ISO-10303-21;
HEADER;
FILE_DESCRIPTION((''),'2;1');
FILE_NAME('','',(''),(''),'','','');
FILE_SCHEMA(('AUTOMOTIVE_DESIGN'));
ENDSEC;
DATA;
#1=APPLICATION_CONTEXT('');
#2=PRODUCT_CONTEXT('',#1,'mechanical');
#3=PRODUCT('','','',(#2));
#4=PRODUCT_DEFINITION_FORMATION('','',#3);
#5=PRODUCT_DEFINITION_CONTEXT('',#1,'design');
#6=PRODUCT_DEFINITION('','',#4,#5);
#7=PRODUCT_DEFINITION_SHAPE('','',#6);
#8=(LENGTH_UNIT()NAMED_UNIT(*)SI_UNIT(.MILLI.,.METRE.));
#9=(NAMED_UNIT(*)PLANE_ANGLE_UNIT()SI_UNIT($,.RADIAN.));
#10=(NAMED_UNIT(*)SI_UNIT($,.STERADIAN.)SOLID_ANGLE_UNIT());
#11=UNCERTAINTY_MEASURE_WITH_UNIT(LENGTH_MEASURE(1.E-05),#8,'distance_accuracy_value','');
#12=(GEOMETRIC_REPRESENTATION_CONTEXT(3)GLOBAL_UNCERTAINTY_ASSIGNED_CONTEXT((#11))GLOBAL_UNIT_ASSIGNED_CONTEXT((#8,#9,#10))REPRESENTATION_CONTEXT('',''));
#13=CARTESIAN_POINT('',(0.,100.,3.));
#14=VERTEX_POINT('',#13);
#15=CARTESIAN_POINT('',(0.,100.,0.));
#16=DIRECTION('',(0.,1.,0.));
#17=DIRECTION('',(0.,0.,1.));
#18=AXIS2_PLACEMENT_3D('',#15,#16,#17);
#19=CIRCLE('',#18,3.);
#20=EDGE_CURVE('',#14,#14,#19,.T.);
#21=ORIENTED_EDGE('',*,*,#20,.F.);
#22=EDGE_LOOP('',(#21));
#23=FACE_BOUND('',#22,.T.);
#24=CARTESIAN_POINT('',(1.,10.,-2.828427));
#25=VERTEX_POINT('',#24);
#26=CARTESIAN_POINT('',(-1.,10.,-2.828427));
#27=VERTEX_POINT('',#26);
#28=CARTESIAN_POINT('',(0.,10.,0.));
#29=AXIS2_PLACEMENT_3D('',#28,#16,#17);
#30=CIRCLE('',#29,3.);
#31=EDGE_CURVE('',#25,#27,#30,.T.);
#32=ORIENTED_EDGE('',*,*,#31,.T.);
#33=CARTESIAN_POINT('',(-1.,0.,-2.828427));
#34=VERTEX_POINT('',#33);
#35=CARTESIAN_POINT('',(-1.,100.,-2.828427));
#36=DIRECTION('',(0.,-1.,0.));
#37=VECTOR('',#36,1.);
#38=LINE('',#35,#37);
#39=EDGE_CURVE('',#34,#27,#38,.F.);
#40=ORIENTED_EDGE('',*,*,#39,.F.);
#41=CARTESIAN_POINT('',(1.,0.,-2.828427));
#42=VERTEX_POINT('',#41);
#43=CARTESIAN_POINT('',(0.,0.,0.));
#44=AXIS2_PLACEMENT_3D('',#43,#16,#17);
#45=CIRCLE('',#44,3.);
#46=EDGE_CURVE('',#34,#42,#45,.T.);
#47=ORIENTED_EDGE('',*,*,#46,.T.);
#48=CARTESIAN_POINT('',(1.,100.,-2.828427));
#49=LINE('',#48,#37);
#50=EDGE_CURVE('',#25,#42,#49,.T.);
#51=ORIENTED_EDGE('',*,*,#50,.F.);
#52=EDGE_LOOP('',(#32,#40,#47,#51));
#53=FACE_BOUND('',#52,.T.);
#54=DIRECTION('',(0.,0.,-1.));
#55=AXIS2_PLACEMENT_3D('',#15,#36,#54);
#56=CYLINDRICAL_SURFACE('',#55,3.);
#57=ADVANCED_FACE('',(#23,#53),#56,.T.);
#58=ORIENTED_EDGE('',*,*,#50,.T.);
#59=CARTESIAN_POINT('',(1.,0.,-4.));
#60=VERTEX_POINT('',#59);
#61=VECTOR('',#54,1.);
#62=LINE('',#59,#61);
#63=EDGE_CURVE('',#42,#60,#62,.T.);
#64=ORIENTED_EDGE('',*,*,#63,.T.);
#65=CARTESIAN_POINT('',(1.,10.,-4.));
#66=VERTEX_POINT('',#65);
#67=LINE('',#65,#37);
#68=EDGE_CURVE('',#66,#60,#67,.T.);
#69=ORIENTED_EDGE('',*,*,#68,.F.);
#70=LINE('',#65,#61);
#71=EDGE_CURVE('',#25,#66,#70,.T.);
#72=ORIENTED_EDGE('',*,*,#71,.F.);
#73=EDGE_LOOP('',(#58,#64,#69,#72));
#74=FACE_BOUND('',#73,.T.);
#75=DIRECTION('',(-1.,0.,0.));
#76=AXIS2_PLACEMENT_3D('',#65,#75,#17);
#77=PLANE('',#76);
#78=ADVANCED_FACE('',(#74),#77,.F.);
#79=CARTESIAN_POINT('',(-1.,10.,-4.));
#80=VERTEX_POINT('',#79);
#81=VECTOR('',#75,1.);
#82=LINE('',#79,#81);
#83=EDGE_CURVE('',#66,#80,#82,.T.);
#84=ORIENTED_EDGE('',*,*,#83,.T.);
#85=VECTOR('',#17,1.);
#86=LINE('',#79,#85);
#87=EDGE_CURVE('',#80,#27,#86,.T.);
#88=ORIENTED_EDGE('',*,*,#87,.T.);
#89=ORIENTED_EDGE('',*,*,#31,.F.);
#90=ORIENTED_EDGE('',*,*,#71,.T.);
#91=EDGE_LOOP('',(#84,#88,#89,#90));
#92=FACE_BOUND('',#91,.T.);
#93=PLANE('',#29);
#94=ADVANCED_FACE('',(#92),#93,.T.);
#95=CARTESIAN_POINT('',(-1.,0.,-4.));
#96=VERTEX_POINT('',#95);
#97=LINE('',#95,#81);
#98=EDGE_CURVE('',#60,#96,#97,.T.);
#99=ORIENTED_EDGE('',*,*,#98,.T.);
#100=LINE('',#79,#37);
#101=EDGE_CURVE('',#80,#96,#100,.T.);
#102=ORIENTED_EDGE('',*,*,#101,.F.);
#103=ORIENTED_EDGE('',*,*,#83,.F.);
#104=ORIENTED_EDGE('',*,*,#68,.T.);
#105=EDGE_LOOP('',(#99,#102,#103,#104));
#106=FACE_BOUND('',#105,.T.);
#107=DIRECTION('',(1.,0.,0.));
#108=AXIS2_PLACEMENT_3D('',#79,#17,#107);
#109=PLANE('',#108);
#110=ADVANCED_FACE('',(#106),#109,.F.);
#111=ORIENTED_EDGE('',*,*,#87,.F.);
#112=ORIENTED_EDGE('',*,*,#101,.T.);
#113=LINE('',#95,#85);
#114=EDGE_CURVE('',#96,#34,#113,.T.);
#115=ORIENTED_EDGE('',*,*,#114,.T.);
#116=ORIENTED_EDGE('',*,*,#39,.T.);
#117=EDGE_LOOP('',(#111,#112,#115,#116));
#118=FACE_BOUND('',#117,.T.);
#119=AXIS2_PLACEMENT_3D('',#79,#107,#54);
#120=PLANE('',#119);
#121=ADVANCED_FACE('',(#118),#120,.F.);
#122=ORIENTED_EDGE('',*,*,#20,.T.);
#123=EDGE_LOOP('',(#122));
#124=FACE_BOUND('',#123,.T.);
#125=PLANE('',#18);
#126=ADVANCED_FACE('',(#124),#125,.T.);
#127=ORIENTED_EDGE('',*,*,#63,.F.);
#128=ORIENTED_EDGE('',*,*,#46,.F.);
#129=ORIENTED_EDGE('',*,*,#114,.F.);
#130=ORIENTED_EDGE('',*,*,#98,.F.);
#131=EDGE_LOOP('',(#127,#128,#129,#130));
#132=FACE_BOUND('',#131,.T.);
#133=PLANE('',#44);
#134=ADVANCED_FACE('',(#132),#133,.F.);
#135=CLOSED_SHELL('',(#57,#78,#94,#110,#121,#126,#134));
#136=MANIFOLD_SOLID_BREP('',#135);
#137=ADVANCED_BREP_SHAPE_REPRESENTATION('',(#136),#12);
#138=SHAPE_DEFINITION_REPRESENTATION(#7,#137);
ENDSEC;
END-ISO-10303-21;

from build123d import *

# Parameters (mm, degrees)
SKETCH_1_R      = 3
EXTRUDE_1_DEPTH = 100
SKETCH_2_W      = 2
SKETCH_2_H      = 2
EXTRUDE_2_DEPTH = 10


with BuildPart() as part:
    # 스케치1 → 보스-돌출1 (new body)
    with BuildSketch(Plane(origin=(0, 0, 0), x_dir=(1, 0, 0), z_dir=(0, 1, 0))):
        with Locations(Location((0, 0, 0), (0, 0, 270))):
            Circle(SKETCH_1_R)
    extrude(amount=EXTRUDE_1_DEPTH)

    # 스케치2 → 보스-돌출2 (add)
    with BuildSketch(Plane(origin=(0, 0, 0), x_dir=(1, 0, 0), z_dir=(0, 1, 0))):
        with Locations((0, 3)):
            Rectangle(SKETCH_2_W, SKETCH_2_H)
    extrude(amount=EXTRUDE_2_DEPTH)


solid = part.part
